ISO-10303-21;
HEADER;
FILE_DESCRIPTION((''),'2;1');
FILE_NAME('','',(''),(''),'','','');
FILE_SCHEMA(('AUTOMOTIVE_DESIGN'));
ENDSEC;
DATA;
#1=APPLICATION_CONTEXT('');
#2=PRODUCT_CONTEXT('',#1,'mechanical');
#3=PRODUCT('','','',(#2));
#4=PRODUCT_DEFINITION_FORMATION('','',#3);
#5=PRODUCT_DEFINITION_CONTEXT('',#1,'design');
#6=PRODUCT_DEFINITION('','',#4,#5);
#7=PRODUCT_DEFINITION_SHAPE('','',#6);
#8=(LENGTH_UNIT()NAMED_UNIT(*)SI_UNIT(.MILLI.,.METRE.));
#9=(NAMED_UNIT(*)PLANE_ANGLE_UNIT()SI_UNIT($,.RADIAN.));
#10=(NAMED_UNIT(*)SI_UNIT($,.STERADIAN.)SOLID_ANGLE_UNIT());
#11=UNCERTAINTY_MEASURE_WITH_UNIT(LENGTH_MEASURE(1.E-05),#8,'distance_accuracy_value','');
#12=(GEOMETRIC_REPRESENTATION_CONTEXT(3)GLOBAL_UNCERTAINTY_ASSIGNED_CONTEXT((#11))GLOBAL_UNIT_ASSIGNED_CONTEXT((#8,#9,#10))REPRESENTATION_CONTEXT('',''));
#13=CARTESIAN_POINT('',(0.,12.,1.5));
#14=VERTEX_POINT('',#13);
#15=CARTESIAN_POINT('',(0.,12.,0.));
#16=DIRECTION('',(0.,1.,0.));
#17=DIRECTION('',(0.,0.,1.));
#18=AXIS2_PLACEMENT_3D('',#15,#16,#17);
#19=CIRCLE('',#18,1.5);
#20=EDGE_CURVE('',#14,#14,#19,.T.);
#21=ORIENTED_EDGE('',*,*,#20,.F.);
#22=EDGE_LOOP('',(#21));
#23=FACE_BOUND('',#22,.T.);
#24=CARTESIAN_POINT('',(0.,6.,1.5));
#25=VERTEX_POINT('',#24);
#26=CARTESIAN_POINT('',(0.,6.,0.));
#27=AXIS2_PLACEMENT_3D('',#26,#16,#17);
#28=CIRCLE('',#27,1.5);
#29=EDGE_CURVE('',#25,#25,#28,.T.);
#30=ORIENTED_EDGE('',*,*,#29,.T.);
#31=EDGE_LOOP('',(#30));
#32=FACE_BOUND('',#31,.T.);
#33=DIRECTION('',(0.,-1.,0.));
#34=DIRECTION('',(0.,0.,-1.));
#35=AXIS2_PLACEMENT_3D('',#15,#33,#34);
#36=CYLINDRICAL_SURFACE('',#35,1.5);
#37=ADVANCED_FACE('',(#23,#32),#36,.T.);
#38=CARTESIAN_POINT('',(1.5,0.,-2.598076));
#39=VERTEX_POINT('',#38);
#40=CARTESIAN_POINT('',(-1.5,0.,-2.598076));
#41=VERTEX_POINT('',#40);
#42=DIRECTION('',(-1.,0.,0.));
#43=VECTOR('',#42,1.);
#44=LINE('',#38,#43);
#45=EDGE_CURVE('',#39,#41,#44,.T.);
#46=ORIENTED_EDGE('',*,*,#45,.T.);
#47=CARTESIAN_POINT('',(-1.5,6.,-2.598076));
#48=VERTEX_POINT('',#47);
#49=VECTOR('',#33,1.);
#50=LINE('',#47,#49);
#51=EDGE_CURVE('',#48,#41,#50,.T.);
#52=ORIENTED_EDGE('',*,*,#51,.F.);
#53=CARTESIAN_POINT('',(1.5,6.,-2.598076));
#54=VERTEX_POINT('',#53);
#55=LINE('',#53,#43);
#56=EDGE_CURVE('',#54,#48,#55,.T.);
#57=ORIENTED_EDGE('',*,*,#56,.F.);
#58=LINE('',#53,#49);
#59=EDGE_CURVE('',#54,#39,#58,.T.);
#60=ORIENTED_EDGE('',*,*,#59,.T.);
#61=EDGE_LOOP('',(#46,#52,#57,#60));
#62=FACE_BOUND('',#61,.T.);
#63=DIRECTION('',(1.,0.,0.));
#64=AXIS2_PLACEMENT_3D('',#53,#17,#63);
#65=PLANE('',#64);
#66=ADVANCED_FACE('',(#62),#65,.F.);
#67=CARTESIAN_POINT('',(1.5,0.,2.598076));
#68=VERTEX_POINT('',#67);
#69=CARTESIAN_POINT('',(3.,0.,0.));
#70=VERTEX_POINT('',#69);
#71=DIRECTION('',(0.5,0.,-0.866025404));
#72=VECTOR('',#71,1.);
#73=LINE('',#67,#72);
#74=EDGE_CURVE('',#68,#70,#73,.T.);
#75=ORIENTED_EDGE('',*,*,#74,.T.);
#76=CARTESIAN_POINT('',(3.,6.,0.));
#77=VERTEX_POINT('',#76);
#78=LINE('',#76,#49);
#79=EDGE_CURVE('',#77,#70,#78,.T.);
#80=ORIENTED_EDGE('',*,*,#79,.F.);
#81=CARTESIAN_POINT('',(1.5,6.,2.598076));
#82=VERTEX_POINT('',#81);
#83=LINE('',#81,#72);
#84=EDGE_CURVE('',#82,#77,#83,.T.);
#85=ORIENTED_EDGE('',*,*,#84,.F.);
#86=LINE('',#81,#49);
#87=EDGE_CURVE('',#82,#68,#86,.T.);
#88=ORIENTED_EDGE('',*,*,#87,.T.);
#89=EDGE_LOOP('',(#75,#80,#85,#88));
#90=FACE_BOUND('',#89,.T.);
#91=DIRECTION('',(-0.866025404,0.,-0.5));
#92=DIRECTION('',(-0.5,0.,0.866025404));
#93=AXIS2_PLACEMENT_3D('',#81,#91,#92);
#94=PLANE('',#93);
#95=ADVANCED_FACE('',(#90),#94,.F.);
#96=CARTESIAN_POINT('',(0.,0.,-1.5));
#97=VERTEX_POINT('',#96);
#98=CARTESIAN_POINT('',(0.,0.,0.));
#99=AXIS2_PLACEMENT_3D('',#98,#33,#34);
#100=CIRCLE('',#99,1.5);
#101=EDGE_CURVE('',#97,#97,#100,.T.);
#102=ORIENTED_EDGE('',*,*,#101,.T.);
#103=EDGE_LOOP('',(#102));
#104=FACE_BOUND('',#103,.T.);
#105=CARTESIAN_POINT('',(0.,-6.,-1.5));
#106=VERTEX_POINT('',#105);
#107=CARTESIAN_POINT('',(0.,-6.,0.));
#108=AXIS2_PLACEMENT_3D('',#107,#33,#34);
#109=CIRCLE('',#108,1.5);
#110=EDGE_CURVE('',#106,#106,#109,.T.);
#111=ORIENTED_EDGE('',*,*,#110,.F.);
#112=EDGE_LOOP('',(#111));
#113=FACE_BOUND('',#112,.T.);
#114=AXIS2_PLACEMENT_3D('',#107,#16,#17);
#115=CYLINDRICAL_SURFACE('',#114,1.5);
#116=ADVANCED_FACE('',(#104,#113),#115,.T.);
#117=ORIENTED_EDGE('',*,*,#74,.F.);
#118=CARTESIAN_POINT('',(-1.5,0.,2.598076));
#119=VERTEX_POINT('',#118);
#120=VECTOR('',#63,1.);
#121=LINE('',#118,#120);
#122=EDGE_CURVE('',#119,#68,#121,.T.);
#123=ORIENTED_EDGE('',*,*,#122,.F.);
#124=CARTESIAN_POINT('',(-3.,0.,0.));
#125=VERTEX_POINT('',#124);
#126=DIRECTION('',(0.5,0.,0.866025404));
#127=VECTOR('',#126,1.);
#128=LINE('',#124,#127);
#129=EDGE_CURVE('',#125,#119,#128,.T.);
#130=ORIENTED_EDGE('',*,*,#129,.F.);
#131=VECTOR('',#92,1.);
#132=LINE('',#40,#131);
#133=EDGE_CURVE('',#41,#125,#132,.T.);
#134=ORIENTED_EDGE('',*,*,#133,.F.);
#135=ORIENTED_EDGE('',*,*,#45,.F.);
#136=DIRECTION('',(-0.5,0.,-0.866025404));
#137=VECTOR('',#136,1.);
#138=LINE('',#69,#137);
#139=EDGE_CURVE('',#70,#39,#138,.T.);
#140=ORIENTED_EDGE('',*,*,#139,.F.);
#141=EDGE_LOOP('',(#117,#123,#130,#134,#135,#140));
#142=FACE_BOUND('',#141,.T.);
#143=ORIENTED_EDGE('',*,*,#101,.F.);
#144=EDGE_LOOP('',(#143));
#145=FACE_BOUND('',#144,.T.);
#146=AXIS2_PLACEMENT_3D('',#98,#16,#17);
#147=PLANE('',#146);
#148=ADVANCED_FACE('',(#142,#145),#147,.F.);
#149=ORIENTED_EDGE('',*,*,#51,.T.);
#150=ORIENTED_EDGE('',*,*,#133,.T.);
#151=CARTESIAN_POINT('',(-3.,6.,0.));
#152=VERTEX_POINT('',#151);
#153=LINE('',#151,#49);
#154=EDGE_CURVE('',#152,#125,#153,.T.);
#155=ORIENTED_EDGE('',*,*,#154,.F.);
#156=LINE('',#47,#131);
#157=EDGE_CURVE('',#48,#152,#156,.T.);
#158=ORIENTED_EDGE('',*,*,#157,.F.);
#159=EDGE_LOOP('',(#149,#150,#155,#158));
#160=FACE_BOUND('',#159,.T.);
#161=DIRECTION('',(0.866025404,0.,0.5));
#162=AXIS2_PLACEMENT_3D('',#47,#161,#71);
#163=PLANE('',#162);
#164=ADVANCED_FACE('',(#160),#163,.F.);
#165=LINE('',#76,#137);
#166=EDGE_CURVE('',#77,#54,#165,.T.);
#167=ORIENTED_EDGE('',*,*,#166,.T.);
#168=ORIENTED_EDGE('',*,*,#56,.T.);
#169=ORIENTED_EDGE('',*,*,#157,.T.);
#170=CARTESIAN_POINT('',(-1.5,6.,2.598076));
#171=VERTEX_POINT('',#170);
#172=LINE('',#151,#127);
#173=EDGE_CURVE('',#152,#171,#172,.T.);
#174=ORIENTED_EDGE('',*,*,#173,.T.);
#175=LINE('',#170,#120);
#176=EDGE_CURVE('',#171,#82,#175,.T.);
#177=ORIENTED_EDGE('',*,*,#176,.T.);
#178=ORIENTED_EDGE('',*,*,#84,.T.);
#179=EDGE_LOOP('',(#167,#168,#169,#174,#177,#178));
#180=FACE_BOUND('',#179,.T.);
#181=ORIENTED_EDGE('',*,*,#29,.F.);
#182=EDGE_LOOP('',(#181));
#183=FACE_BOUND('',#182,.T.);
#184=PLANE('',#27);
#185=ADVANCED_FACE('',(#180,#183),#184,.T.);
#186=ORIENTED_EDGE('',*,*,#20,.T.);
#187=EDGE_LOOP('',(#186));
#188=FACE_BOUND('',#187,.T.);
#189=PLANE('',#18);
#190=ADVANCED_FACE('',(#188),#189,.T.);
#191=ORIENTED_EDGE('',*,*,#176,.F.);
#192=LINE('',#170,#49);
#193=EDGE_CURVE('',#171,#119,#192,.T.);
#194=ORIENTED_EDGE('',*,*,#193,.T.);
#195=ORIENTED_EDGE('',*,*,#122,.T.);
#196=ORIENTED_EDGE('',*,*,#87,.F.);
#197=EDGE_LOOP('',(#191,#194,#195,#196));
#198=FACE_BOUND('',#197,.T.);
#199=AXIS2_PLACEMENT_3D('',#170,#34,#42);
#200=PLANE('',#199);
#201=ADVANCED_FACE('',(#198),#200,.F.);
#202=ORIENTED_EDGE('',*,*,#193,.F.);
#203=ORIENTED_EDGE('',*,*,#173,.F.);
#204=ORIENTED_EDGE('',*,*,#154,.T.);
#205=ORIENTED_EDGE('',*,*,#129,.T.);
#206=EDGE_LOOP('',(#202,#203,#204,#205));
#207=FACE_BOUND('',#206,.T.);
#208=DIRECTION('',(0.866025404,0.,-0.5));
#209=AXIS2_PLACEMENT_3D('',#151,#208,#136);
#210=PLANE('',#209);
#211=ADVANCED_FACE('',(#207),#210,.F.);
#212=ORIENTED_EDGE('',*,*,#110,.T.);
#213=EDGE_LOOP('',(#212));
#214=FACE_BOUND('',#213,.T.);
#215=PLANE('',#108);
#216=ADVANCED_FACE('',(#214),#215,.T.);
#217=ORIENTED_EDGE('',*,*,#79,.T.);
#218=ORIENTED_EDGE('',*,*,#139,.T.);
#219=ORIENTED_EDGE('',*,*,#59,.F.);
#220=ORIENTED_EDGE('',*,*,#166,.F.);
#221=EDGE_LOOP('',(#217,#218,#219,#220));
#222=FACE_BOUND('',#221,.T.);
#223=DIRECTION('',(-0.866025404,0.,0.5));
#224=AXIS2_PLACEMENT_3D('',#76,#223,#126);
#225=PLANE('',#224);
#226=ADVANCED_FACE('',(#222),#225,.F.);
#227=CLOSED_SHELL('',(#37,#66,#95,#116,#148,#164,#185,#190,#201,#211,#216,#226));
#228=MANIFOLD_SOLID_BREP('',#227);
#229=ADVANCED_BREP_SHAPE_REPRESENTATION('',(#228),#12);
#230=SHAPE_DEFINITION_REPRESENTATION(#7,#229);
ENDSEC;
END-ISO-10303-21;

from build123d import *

# Parameters (mm, degrees)
EXTRUDE_1_DEPTH = 6
SKETCH_2_R      = 1.5
EXTRUDE_2_DEPTH = 6
EXTRUDE_START   = 6
SKETCH_3_R      = 1.5
EXTRUDE_3_DEPTH = 6


with BuildPart() as part:
    # 草图1 → 凸台-拉伸1 (new body)
    with BuildSketch(Plane(origin=(0, 0, 0), x_dir=(1, 0, 0), z_dir=(0, 1, 0))):
        Polygon((3, 0), (1.5, 2.598076211), (-1.5, 2.598076211), (-3, 0), (-1.5, -2.598076211), (1.5, -2.598076211), align=None)
    extrude(amount=EXTRUDE_1_DEPTH)

    # 草图2 → 凸台-拉伸2 (add)
    with BuildSketch(Plane(origin=(0, 6, 0), x_dir=(1, 0, 0), z_dir=(0, 1, 0))):
        with Locations(Location((0, 0, 0), (0, 0, 270))):
            Circle(SKETCH_2_R)
    extrude(amount=EXTRUDE_2_DEPTH)

    # 草图3 → 凸台-拉伸3 (add)
    with BuildSketch(Plane.XZ.offset(EXTRUDE_START)):
        with Locations(Location((0, 0, 0), (0, 0, 90))):
            Circle(SKETCH_3_R)
    extrude(amount=-EXTRUDE_3_DEPTH)


solid = part.part
